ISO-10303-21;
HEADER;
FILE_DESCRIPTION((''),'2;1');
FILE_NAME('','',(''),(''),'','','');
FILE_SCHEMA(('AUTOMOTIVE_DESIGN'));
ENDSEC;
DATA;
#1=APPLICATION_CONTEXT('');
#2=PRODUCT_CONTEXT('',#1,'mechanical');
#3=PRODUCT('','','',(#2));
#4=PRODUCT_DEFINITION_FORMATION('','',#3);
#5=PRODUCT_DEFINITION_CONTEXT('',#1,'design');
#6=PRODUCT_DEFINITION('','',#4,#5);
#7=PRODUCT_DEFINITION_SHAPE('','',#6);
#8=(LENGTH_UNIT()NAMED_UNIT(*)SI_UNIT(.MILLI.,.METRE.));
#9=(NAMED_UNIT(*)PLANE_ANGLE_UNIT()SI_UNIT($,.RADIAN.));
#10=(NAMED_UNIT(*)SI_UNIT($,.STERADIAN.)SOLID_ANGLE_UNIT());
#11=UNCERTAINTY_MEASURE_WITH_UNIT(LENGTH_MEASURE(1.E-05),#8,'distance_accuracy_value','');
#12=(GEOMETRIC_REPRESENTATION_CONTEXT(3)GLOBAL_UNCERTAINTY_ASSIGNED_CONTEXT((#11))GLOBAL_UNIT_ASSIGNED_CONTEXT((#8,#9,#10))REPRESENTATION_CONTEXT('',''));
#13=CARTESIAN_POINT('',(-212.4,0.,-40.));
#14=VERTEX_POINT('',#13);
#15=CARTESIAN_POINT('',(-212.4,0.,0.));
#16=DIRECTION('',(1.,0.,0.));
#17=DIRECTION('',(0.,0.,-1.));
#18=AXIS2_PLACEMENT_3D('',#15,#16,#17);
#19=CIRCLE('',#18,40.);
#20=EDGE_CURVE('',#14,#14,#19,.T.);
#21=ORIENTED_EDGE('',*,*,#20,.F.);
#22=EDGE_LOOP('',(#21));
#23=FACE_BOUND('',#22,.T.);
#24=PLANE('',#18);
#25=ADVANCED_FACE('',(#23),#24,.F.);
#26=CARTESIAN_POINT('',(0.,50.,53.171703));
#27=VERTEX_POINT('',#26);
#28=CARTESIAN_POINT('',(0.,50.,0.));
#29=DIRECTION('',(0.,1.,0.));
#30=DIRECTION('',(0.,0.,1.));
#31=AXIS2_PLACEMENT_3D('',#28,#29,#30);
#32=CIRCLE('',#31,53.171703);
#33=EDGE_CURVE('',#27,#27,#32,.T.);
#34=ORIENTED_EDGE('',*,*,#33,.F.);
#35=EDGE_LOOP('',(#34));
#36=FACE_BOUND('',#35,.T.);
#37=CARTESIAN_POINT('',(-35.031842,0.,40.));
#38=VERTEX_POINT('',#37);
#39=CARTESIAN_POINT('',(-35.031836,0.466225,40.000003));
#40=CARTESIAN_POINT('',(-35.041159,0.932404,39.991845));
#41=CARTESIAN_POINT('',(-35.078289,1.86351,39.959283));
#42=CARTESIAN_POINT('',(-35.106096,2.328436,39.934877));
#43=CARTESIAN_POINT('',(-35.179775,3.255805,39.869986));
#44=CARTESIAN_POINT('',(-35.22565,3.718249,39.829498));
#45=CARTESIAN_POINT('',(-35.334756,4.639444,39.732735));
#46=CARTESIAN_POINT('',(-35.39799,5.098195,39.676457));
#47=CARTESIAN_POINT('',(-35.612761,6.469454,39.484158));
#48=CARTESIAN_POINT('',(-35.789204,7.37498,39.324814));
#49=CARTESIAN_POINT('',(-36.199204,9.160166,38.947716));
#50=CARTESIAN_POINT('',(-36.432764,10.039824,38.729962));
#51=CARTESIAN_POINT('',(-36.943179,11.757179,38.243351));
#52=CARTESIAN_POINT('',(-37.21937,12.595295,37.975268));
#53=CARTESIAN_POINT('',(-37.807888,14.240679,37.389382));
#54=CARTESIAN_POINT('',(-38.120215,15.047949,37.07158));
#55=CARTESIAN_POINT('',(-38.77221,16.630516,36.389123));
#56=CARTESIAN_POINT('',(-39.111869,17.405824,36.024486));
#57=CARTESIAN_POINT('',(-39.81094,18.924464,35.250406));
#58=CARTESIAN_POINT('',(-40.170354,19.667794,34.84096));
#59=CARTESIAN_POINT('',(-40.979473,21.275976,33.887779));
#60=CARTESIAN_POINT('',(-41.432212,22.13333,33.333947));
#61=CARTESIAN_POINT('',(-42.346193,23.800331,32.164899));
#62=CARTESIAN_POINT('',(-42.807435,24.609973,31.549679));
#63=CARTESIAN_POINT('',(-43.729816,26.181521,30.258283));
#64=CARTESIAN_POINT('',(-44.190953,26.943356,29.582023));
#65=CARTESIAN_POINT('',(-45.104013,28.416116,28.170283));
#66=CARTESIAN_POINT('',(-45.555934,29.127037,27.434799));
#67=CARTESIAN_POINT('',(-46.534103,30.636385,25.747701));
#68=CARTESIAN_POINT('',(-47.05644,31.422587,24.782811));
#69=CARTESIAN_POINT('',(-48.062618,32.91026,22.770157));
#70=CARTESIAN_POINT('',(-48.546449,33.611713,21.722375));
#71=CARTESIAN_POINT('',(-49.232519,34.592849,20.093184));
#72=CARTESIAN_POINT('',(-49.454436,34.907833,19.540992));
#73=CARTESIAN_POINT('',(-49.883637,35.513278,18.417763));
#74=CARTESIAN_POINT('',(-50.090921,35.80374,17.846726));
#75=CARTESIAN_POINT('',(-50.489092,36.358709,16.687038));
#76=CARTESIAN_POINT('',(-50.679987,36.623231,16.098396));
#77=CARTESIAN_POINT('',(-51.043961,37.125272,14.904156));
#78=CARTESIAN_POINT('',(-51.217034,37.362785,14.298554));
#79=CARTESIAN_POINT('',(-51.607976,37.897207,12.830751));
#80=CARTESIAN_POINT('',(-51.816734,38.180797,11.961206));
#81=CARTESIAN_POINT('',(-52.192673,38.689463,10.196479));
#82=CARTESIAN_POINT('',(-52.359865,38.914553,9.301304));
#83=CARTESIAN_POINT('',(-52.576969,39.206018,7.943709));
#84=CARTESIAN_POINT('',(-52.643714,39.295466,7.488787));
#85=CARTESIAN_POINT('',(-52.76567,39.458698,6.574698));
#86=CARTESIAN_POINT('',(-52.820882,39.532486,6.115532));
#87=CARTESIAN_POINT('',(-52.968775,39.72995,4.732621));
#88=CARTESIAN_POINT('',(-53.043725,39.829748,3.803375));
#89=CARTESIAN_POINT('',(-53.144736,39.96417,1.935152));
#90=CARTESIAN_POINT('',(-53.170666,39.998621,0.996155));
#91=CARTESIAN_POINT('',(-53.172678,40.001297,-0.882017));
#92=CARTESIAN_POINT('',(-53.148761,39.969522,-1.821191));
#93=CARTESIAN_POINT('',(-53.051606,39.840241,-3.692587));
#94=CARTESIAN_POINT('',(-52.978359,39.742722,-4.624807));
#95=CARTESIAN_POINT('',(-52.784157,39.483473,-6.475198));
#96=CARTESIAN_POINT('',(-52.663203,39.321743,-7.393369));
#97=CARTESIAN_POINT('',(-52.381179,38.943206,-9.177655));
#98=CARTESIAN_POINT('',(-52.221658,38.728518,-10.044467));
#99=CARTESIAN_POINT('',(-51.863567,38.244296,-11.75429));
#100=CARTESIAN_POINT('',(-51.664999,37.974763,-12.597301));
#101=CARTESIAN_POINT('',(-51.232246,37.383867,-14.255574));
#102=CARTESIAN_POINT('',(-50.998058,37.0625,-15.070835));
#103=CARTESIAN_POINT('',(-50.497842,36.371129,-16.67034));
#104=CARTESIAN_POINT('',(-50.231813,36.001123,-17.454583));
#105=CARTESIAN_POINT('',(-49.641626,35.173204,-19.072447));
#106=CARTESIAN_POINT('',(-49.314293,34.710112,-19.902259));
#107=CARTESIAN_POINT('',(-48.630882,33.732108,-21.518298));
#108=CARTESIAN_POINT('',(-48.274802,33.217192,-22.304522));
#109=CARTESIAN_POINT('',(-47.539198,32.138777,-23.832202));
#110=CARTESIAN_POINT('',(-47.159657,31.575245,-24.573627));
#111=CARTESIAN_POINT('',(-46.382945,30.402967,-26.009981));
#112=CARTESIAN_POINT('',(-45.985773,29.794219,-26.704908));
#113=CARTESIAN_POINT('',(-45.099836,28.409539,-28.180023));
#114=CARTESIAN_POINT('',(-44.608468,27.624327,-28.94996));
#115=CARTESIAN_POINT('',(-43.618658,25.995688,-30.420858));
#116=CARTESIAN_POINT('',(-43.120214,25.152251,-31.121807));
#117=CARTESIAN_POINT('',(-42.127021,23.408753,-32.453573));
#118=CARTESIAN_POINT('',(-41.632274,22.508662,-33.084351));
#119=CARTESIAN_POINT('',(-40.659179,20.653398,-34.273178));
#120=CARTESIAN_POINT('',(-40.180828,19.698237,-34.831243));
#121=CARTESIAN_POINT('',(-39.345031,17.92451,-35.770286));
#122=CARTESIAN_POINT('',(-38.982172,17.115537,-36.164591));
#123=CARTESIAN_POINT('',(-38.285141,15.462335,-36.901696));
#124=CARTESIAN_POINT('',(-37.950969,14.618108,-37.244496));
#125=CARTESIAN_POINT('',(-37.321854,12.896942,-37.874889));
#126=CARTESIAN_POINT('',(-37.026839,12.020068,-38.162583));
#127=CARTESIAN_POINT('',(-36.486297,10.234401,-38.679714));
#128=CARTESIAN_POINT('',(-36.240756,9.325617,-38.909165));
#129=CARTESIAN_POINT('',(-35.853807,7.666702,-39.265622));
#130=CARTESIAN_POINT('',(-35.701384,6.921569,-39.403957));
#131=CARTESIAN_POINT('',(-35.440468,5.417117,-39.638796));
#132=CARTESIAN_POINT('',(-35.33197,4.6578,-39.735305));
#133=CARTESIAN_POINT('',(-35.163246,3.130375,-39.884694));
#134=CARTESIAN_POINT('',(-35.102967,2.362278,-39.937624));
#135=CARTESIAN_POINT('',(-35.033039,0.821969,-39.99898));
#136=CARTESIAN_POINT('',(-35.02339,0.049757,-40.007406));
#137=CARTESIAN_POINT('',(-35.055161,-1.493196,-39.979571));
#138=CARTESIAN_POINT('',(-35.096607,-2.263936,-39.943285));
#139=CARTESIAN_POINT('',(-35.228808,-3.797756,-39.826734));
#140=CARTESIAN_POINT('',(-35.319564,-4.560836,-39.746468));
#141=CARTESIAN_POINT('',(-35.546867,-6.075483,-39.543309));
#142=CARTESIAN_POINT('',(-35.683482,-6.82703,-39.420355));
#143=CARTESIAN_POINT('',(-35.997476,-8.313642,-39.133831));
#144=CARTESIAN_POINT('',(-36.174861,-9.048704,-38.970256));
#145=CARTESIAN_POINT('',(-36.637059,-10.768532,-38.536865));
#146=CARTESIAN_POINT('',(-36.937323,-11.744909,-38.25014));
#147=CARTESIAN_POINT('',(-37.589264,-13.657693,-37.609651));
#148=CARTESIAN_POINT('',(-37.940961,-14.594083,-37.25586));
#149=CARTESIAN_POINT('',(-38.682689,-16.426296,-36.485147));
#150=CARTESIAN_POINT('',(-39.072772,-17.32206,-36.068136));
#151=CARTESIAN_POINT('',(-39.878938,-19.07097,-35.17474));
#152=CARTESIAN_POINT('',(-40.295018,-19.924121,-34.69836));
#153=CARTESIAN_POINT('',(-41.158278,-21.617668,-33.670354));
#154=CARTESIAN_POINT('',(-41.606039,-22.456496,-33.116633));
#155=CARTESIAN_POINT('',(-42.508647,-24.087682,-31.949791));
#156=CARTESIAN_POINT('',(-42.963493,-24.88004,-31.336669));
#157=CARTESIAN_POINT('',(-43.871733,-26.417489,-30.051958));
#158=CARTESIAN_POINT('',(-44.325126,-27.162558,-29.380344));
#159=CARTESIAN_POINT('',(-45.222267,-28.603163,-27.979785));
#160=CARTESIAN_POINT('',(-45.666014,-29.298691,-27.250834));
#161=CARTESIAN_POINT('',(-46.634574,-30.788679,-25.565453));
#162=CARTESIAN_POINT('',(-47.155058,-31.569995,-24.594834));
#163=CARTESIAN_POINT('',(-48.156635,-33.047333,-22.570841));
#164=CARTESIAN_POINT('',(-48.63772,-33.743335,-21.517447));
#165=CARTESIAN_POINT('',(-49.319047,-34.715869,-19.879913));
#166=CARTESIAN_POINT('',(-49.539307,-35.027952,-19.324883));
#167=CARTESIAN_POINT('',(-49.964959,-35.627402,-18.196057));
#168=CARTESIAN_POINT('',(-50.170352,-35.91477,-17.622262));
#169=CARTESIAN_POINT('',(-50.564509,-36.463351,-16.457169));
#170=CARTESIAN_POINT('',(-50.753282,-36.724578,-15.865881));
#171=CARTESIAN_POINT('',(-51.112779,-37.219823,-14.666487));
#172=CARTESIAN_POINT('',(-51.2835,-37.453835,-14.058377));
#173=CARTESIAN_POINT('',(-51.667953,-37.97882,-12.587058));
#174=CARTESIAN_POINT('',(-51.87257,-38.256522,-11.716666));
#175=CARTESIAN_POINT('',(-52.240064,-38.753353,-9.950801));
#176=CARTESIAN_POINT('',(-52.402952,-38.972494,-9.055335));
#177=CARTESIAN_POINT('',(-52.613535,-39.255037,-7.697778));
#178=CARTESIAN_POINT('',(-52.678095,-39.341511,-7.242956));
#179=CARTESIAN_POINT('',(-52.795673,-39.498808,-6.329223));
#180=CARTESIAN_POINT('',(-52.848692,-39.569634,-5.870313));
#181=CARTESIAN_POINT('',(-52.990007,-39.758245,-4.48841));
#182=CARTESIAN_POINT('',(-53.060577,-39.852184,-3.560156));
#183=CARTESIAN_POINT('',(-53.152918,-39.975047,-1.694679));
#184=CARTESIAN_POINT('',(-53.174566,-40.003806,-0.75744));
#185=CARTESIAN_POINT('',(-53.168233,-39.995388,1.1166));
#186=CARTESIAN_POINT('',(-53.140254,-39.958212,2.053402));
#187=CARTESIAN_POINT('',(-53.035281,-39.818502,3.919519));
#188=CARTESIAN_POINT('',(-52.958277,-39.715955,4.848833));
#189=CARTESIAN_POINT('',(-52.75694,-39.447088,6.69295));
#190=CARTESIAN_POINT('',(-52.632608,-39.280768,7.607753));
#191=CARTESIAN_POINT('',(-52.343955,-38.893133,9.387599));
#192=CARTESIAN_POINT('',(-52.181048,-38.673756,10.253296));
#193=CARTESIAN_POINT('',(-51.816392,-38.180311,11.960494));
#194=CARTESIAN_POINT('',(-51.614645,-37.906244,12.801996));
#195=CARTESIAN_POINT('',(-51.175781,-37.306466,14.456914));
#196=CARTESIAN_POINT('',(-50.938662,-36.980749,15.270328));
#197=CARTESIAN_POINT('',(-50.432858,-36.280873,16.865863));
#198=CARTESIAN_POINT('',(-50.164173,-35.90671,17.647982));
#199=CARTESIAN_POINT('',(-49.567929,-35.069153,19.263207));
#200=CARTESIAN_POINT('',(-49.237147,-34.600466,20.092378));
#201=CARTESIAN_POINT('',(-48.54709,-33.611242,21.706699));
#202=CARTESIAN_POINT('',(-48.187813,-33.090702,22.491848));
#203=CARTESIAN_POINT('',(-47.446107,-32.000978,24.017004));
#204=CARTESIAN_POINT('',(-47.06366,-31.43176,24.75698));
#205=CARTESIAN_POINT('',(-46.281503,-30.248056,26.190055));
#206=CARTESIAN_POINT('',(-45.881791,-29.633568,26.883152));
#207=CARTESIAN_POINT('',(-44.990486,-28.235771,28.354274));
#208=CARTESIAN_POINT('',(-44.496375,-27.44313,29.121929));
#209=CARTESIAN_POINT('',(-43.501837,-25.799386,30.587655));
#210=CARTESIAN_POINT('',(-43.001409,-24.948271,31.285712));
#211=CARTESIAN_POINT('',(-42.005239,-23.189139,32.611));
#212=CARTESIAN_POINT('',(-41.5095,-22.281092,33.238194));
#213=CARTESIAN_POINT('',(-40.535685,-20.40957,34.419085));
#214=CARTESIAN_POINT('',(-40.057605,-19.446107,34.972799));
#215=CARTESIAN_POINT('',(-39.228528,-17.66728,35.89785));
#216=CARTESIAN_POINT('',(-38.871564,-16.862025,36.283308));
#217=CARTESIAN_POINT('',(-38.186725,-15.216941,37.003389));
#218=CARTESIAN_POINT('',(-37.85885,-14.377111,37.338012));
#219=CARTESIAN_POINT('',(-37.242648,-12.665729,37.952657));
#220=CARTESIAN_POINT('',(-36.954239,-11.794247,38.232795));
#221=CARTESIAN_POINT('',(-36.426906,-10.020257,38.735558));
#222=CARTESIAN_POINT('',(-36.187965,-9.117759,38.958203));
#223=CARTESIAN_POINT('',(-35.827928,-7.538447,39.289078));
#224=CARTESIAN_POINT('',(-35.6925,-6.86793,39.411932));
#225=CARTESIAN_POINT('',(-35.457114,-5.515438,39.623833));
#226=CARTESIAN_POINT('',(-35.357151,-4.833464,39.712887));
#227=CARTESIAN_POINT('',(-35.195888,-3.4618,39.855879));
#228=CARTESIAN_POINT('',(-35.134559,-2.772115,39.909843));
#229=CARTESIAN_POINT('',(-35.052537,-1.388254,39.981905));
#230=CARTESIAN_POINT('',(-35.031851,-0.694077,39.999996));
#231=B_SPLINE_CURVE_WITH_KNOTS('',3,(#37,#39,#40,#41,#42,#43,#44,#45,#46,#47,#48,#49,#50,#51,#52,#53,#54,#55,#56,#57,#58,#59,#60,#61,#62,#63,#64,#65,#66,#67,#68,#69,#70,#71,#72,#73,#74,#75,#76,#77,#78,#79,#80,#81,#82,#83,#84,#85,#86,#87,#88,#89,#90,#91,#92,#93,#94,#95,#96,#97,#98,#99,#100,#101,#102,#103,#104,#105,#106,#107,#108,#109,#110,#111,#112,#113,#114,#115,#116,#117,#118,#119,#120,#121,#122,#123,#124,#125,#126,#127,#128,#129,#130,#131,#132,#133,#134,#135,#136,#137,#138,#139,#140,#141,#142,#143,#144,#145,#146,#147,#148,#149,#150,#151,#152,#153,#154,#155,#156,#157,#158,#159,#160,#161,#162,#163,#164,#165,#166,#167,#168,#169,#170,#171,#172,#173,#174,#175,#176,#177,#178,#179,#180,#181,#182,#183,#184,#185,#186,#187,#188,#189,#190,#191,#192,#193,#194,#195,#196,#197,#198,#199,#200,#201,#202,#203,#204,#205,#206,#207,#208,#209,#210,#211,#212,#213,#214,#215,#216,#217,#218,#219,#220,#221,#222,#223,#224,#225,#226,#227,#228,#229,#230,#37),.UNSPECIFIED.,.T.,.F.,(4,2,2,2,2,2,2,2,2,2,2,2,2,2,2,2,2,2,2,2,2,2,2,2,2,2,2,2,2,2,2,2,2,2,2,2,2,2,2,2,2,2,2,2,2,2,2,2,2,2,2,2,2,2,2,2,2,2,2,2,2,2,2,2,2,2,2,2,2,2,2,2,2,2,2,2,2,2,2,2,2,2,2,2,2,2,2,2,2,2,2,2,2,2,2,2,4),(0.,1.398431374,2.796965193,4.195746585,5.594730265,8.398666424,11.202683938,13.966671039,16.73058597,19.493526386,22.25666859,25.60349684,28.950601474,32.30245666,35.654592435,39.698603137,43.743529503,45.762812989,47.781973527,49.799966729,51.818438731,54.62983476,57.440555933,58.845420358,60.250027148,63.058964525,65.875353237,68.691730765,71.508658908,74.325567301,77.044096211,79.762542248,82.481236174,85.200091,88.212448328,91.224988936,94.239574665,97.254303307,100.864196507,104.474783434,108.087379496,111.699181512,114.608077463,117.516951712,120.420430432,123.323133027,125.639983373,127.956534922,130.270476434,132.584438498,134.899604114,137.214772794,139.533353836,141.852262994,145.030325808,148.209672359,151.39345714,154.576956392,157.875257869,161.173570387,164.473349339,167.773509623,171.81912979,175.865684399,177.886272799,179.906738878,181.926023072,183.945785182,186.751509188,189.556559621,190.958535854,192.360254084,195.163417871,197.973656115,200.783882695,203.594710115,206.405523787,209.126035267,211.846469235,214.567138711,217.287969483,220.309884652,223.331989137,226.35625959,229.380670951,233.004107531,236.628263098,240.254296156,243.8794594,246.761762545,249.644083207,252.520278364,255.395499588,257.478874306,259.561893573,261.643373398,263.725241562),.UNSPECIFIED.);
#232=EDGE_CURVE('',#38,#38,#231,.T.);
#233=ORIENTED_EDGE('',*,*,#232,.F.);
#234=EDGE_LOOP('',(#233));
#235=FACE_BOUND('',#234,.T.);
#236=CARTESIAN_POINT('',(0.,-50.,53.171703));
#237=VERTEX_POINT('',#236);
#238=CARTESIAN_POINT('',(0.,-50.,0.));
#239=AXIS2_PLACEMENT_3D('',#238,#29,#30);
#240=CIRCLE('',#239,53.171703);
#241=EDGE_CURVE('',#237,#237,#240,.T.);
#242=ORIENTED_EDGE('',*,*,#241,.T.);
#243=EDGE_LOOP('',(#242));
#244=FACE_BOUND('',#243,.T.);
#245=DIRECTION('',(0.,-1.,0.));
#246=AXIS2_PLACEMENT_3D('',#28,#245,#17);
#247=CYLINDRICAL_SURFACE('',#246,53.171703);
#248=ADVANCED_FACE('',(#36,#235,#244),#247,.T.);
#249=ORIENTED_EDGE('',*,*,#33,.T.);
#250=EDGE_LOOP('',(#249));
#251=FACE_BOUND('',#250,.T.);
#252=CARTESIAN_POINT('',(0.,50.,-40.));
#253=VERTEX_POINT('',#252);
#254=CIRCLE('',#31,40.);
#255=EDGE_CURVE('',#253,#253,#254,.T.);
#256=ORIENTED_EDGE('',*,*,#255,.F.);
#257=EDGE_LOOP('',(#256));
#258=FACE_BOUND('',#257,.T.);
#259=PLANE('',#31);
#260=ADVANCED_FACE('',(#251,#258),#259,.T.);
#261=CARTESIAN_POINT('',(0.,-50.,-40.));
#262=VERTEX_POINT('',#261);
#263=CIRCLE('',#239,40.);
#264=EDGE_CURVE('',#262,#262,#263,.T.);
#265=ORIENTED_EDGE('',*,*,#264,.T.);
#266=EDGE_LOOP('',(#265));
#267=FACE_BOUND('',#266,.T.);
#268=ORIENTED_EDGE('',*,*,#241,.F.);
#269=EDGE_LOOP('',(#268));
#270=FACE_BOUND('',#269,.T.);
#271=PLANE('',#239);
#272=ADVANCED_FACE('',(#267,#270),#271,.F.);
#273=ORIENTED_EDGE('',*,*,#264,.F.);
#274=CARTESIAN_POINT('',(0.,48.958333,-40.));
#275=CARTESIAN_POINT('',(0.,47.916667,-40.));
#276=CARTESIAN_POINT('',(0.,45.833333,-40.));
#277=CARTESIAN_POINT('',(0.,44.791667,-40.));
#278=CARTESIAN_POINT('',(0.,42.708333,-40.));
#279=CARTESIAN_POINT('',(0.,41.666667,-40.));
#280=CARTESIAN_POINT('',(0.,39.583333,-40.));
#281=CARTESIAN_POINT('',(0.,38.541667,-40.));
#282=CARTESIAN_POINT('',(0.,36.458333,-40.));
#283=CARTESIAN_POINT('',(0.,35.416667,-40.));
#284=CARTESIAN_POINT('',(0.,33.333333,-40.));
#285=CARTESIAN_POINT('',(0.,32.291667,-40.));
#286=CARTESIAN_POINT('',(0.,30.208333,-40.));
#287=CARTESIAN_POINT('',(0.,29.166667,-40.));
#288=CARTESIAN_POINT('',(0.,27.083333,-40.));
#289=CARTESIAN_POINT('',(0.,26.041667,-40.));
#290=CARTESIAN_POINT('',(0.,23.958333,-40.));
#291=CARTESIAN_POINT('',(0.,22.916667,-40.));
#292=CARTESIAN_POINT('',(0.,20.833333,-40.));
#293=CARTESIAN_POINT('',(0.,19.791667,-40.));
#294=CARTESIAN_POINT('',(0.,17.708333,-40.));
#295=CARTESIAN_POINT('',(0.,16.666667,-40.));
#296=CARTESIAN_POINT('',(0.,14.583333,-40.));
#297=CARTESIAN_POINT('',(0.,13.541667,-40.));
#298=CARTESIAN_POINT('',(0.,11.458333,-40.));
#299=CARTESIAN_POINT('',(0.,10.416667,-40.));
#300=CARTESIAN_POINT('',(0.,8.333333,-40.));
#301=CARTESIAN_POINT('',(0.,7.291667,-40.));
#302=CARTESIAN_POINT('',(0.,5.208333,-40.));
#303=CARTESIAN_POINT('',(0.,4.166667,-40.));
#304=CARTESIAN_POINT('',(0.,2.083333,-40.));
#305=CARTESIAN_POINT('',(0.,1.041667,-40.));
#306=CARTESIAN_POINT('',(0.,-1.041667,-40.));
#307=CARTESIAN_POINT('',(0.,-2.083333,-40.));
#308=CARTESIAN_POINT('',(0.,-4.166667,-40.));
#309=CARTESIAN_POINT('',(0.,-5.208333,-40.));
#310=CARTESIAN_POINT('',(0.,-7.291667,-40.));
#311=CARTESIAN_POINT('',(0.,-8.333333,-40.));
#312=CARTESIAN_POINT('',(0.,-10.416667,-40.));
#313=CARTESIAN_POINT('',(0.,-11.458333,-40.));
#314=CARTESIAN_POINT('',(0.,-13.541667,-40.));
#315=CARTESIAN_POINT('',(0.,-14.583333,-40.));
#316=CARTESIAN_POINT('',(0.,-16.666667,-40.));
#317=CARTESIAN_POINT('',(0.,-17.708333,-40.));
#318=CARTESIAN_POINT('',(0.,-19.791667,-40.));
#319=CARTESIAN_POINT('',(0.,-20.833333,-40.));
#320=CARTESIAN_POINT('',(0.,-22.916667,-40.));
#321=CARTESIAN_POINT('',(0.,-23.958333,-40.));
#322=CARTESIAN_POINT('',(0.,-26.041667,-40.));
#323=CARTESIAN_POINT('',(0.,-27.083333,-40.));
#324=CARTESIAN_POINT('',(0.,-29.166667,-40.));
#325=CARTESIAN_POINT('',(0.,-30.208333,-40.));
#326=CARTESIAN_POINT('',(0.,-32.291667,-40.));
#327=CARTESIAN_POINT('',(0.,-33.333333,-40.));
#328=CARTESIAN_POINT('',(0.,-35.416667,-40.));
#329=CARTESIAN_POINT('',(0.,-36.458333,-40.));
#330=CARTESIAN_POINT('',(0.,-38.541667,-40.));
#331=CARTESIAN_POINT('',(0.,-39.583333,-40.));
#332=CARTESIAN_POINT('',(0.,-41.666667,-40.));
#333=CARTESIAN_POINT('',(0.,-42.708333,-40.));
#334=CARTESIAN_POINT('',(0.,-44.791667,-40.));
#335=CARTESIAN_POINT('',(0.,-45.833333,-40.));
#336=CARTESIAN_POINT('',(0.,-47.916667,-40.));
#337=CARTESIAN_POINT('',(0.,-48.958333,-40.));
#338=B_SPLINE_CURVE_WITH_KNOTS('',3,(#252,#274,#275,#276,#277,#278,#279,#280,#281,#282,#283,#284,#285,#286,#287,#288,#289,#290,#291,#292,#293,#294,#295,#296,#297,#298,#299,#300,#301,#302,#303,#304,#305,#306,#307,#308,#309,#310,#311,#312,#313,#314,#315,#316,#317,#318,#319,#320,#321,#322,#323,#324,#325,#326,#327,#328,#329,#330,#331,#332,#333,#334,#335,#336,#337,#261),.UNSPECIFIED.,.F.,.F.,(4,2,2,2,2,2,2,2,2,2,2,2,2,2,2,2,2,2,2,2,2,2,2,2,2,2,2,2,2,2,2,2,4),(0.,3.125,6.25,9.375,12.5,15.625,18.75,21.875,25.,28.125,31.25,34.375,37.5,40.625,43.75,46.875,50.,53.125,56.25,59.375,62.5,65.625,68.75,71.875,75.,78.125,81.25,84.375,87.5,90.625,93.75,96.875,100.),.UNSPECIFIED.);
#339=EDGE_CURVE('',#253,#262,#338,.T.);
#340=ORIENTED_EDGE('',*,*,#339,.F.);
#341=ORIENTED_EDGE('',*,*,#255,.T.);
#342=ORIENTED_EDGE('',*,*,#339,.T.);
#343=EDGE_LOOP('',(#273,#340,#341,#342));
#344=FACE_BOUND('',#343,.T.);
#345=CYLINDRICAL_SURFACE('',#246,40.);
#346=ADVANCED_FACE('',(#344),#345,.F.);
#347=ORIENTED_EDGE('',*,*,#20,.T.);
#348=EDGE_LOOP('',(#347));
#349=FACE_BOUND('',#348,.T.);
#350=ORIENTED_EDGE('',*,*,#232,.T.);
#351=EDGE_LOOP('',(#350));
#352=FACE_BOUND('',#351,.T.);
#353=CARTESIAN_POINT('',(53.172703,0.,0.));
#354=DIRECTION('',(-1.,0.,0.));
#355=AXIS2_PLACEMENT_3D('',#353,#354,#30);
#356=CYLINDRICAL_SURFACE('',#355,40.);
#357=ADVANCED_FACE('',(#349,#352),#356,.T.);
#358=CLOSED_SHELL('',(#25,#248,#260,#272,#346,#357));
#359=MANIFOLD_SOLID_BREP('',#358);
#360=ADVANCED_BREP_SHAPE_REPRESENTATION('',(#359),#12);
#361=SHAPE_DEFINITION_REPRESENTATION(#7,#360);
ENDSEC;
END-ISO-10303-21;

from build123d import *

# Parameters (mm, degrees)
EXTRUDE_1_DEPTH      = 50
EXTRUDE_1_DEPTH_BACK = 50
SKETCH_1_R           = 53.17170267
SKETCH_1_R_2         = 40
EXTRUDE_2_REACH      = 277.419
EXTRUDE_2_END_RADIUS = 53.17170267
SKETCH_2_R           = 40


with BuildPart() as part:
    # 草图1 → 凸台-拉伸1 (new, two sides: drawn at the far end of the back side and taken through both)
    with BuildSketch(Plane(origin=(0, 0, 0), x_dir=(1, 0, 0), z_dir=(0, 1, 0)).offset(-EXTRUDE_1_DEPTH_BACK)):
        with Locations(Location((0, 0, 0), (0, 0, 90))):
            Circle(SKETCH_1_R)
        with Locations(Location((0, 0, 0), (0, 0, 90))):
            Circle(SKETCH_1_R_2, mode=Mode.SUBTRACT)
    extrude(amount=EXTRUDE_1_DEPTH + EXTRUDE_1_DEPTH_BACK)

    # 凸台-拉伸2: up to this cylinder (the profile starts outside it)
    extrude_2_end = Plane(origin=(0, 0, 0), z_dir=(0, -1, 0)) * Cylinder(EXTRUDE_2_END_RADIUS, 662.18140534, mode=Mode.PRIVATE)
    # 草图2 → 凸台-拉伸2 (add, up to the surface)
    with BuildSketch(Plane(origin=(-212.4, 0, 0), x_dir=(0, 0, -1), z_dir=(1, 0, 0)), mode=Mode.PRIVATE) as extrude_2_sk1:
        with Locations(Location((0, 0, 0), (0, 0, 180))):
            Circle(SKETCH_2_R)
    extrude_2_tool1 = extrude(extrude_2_sk1.sketch, amount=EXTRUDE_2_REACH, mode=Mode.PRIVATE) - extrude_2_end
    add(extrude_2_tool1.solids().sort_by_distance((-212.4, 0, 0))[0])


solid = part.part
